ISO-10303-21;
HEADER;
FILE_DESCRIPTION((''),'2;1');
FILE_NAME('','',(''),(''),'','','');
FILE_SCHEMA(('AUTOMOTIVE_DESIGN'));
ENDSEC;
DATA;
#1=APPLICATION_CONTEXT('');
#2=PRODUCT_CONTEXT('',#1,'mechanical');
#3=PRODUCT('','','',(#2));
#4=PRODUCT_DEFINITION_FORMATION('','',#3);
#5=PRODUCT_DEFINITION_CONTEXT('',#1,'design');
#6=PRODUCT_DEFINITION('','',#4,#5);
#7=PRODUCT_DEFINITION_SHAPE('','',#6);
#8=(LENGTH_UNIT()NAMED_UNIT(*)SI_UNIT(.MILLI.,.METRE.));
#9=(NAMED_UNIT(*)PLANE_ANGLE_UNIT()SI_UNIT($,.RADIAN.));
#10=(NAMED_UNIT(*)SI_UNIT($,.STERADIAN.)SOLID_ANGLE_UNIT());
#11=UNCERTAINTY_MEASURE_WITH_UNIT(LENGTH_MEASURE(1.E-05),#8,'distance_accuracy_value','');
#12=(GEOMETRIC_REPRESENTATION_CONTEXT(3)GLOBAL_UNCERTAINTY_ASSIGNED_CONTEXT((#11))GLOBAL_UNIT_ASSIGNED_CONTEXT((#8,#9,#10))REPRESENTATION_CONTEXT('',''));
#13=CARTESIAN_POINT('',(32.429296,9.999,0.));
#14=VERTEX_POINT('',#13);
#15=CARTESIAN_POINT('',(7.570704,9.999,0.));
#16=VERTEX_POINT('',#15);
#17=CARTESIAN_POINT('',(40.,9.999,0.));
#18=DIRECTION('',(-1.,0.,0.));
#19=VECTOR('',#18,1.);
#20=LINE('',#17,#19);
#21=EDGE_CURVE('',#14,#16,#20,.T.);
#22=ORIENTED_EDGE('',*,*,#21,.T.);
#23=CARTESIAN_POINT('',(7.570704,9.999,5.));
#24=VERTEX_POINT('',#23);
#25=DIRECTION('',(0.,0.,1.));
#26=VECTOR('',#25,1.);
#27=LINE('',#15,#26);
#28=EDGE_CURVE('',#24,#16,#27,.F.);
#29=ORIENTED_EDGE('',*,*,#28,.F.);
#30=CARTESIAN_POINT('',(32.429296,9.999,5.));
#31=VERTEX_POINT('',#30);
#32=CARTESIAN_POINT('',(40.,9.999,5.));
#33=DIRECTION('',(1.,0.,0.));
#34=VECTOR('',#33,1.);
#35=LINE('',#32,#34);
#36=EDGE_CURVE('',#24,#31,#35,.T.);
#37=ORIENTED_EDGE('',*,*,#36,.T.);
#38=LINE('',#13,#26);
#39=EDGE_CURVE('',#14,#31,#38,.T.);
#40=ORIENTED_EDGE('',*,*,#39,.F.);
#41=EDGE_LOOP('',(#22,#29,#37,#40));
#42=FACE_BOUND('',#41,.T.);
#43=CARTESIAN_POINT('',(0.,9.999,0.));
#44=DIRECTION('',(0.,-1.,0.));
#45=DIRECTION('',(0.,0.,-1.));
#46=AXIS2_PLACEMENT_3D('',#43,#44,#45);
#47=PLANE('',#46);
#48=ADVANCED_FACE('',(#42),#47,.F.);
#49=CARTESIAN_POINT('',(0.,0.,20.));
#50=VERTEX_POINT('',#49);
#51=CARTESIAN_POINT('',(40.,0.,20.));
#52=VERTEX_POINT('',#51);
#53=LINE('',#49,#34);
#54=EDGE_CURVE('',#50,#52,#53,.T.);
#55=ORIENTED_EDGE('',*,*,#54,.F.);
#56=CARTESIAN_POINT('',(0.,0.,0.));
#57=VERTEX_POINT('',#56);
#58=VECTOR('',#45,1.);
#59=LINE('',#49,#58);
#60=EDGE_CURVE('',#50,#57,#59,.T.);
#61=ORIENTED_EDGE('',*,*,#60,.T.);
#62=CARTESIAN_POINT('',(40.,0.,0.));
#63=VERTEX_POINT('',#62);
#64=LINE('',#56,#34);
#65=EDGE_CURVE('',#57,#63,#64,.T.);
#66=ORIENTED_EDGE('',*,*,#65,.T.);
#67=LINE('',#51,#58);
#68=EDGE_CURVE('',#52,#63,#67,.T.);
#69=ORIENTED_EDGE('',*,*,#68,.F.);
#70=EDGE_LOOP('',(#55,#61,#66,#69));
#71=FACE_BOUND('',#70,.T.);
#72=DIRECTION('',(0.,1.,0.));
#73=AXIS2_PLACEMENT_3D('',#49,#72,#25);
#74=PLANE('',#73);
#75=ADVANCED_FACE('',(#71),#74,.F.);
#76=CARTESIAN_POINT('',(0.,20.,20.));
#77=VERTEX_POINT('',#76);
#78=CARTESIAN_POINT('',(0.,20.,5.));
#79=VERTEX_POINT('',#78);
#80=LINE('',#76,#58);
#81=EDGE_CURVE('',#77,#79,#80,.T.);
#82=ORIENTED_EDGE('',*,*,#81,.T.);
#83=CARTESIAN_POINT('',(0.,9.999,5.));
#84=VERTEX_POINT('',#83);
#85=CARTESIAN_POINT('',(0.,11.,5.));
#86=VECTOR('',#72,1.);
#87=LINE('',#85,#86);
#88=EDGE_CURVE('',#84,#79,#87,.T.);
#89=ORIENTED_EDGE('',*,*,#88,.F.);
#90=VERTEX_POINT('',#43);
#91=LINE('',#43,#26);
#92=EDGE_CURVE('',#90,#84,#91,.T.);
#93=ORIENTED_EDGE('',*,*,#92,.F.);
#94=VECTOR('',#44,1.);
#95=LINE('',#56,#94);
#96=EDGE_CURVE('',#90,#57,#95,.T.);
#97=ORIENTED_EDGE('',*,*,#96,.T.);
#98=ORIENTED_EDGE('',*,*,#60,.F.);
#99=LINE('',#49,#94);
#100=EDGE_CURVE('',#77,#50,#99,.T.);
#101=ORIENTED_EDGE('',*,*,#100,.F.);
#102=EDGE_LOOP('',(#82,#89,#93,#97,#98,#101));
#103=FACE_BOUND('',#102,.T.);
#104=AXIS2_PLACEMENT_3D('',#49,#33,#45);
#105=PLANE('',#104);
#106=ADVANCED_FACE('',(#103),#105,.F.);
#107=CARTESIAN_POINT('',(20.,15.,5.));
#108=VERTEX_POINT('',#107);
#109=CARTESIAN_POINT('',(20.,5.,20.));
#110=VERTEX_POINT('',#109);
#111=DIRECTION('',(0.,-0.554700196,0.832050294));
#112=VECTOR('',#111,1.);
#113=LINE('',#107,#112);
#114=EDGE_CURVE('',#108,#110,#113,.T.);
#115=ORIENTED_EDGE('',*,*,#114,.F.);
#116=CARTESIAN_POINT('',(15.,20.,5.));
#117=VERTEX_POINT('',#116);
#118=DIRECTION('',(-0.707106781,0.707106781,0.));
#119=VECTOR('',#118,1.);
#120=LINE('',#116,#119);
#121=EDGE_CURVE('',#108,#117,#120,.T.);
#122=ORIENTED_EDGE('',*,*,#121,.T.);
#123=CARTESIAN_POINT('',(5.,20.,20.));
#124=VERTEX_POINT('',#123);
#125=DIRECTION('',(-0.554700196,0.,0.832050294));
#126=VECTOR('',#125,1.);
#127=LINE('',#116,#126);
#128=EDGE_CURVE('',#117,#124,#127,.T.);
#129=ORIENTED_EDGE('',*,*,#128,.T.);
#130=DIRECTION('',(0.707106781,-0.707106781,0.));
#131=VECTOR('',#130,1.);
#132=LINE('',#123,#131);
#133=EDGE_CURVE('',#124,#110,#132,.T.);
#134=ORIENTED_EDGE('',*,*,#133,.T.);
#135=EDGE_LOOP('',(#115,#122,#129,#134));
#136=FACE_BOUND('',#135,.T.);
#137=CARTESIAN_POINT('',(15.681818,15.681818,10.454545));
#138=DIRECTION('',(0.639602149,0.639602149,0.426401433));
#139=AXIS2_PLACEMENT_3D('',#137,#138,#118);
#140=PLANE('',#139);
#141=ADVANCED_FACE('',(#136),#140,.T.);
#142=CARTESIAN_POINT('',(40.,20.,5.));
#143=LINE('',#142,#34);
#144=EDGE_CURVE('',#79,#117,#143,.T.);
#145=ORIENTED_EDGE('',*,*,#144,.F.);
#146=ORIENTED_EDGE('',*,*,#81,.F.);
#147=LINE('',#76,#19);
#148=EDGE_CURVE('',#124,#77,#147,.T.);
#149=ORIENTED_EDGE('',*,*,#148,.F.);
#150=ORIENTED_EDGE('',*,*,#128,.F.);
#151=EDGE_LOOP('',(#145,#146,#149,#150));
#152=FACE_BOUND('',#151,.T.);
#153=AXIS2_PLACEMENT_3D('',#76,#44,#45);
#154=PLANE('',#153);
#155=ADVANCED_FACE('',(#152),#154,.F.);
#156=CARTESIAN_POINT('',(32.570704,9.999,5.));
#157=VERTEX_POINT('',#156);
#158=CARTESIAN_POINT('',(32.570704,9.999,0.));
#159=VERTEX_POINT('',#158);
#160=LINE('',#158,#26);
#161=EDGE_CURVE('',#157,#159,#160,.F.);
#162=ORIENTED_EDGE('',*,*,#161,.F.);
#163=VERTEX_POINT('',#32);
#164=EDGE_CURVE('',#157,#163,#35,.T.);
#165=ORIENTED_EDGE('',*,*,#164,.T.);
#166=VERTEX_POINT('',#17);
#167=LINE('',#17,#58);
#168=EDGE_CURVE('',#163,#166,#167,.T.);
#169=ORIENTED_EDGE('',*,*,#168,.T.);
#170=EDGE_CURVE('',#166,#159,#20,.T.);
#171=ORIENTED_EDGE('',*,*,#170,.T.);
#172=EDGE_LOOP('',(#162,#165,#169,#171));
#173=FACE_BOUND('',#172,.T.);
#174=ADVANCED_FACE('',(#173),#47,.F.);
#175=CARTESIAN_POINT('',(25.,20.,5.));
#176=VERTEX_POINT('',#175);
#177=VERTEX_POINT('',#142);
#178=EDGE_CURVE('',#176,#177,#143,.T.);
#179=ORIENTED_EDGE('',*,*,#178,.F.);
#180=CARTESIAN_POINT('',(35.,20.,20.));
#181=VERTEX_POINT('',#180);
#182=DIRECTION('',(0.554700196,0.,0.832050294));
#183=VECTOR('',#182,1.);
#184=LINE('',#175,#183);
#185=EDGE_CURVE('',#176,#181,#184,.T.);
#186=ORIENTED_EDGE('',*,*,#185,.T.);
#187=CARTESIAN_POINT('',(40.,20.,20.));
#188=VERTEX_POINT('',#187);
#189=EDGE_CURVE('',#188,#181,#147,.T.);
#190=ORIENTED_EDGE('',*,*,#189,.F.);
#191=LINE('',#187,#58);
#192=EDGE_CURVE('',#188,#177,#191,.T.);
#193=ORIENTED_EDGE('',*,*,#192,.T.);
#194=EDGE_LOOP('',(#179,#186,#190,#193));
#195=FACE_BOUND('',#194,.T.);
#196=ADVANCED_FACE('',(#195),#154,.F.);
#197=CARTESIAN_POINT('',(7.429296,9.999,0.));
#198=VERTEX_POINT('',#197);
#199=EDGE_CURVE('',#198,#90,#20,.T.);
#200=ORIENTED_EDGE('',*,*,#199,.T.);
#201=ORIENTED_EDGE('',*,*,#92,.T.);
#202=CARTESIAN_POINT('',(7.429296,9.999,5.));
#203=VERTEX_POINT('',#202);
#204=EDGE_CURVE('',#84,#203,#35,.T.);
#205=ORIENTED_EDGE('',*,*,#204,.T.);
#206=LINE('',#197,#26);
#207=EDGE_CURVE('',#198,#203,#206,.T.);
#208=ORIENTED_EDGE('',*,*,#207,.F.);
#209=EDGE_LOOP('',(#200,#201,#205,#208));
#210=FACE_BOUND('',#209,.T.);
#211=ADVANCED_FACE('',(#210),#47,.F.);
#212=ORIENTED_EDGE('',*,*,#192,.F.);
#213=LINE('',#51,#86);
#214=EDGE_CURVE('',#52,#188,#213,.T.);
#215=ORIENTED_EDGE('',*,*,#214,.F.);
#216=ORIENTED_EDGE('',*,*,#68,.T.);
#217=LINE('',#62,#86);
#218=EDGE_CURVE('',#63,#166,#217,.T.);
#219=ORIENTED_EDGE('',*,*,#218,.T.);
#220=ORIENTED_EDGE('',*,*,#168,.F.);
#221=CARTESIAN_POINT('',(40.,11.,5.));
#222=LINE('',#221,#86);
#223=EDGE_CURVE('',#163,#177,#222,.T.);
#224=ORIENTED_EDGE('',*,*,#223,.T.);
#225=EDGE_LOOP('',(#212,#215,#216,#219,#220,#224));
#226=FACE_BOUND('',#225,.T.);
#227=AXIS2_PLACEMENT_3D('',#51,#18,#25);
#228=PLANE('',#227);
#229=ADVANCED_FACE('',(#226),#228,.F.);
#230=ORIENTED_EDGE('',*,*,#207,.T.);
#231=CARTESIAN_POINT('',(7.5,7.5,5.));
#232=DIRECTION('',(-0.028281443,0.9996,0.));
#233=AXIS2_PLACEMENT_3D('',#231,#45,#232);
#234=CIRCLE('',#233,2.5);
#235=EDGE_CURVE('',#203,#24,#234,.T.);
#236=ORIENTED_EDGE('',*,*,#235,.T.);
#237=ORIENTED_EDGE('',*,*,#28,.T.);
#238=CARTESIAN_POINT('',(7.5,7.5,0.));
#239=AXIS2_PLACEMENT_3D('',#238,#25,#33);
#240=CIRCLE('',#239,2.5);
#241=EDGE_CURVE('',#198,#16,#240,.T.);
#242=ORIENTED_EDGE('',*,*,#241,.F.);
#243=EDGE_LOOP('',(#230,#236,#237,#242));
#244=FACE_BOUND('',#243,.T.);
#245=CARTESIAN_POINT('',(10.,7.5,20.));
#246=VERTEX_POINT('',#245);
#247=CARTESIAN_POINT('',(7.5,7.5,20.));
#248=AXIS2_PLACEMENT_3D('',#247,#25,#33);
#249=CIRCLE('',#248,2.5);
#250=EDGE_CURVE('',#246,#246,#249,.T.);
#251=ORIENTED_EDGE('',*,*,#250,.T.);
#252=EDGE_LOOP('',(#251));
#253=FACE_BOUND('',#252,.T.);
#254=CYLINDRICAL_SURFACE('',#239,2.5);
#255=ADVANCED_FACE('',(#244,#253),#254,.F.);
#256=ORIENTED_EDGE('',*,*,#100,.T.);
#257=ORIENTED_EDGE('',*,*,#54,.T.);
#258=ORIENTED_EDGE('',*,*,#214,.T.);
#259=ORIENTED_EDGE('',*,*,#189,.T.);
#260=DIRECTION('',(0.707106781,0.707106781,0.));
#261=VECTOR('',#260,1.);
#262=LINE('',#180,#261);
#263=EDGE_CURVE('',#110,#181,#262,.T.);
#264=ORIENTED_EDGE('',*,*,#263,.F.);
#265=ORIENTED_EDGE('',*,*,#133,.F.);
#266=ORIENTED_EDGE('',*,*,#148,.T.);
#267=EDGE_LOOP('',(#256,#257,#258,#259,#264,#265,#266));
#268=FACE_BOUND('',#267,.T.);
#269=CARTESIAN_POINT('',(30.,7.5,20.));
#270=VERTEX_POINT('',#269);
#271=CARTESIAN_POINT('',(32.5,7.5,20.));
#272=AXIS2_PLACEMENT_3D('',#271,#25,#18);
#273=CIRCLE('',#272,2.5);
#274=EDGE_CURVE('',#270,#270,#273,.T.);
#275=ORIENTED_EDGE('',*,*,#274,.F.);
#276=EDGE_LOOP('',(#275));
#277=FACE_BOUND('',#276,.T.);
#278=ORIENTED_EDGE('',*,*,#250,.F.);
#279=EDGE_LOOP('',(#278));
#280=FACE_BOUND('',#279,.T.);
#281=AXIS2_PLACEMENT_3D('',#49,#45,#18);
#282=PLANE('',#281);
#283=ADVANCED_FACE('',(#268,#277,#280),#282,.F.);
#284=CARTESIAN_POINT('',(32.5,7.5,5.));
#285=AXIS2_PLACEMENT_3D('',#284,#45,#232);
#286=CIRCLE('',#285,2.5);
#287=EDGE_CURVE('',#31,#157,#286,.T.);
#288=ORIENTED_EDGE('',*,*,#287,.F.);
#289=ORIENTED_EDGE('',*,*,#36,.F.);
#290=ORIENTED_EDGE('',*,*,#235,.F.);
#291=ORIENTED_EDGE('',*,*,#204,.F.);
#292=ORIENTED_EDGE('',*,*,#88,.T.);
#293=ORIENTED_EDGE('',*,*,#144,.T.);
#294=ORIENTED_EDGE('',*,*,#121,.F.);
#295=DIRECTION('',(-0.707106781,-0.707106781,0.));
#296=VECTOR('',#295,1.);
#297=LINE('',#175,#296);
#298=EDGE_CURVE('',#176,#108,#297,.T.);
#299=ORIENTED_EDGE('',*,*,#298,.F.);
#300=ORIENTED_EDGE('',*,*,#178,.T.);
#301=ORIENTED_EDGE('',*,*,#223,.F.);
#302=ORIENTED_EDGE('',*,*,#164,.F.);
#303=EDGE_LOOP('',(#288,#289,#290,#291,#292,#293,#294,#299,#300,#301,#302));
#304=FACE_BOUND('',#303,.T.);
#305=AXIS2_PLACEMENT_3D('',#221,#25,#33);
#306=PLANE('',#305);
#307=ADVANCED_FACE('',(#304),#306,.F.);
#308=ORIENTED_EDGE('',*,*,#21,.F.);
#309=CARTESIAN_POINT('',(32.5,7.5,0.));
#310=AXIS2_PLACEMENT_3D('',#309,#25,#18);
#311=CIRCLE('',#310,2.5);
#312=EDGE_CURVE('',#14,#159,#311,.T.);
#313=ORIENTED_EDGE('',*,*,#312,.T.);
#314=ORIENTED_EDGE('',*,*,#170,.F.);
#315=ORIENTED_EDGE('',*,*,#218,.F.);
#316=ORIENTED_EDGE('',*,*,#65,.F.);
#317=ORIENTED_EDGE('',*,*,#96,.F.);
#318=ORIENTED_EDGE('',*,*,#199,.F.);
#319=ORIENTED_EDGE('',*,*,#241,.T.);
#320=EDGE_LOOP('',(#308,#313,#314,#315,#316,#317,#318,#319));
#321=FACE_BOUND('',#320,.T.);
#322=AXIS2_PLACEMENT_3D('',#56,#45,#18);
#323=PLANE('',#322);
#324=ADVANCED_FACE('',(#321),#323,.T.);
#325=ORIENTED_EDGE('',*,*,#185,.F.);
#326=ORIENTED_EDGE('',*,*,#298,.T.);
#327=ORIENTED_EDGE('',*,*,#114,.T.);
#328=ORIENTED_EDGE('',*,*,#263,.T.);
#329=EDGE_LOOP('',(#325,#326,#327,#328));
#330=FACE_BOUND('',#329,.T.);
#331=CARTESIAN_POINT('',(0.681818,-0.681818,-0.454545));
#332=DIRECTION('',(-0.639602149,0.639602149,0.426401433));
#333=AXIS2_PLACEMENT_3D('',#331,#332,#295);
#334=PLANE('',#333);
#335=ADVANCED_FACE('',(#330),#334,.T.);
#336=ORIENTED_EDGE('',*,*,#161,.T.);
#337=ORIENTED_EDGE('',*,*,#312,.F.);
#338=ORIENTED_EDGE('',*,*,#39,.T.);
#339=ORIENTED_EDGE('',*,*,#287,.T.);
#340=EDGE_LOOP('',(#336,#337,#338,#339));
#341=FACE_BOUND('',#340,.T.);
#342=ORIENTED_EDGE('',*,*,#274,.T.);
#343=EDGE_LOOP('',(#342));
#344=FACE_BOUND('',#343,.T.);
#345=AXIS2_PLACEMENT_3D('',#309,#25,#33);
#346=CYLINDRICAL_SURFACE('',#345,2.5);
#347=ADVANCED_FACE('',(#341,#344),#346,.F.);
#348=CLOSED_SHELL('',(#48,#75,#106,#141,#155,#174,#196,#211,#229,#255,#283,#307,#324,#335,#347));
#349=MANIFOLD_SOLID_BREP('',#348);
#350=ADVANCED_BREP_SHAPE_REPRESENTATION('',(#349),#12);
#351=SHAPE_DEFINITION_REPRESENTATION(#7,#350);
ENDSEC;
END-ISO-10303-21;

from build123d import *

# Parameters (mm, degrees)
IZIM1_W                     = 40
IZIM1_H                     = 20
Y_KSEKLIK_EKSTR_ZYON1_DEPTH = 20
IZIM2_R                     = 2.5
KES_EKSTR_ZYON1_DEPTH       = 20
IZIM3_W                     = 40
IZIM3_H                     = 5
KES_EKSTR_ZYON3_DEPTH       = 9
IZIM6_W                     = 40
IZIM6_H                     = 5
KES_EKSTR_ZYON13_DEPTH      = 1.001


with BuildPart() as part:
    # Çizim1 → Yükseklik-Ekstrüzyon1 (new body)
    with BuildSketch(Plane.XY):
        with Locations((20, 10)):
            Rectangle(IZIM1_W, IZIM1_H)
    extrude(amount=Y_KSEKLIK_EKSTR_ZYON1_DEPTH)

    # Çizim2 → Kes-Ekstrüzyon1 (cut)
    with BuildSketch(Plane.XY.offset(20)):
        with Locations((7.5, 7.5)):
            Circle(IZIM2_R)
        with Locations((32.5, 7.5)):
            Circle(IZIM2_R)
    extrude(amount=-KES_EKSTR_ZYON1_DEPTH, mode=Mode.SUBTRACT)

    # Çizim3 → Kes-Ekstrüzyon3 (cut)
    with BuildSketch(Plane(origin=(0, 20, 0), x_dir=(1, 0, 0), z_dir=(0, 1, 0))):
        with Locations((20, -2.5)):
            Rectangle(IZIM3_W, IZIM3_H)
    extrude(amount=-KES_EKSTR_ZYON3_DEPTH, mode=Mode.SUBTRACT)

    # Çizim5 → Kes-Loft2 section 0
    with BuildSketch(Plane(origin=(0, 0, 5), x_dir=(-1, 0, 0), z_dir=(0, 0, -1))):
        Polygon((-25, 20), (-20, 15), (-15, 20), align=None)
    # Çizim4 → Kes-Loft2 section 1
    with BuildSketch(Plane.XY.offset(20)):
        Polygon((5, 20), (20, 5), (35, 20), align=None)
    loft(mode=Mode.SUBTRACT)

    # Çizim6 → Kes-Ekstrüzyon13 (cut)
    with BuildSketch(Plane(origin=(0, 11, 0), x_dir=(1, 0, 0), z_dir=(0, 1, 0))):
        with Locations((20, -2.5)):
            Rectangle(IZIM6_W, IZIM6_H)
    extrude(amount=-KES_EKSTR_ZYON13_DEPTH, mode=Mode.SUBTRACT)


solid = part.part
